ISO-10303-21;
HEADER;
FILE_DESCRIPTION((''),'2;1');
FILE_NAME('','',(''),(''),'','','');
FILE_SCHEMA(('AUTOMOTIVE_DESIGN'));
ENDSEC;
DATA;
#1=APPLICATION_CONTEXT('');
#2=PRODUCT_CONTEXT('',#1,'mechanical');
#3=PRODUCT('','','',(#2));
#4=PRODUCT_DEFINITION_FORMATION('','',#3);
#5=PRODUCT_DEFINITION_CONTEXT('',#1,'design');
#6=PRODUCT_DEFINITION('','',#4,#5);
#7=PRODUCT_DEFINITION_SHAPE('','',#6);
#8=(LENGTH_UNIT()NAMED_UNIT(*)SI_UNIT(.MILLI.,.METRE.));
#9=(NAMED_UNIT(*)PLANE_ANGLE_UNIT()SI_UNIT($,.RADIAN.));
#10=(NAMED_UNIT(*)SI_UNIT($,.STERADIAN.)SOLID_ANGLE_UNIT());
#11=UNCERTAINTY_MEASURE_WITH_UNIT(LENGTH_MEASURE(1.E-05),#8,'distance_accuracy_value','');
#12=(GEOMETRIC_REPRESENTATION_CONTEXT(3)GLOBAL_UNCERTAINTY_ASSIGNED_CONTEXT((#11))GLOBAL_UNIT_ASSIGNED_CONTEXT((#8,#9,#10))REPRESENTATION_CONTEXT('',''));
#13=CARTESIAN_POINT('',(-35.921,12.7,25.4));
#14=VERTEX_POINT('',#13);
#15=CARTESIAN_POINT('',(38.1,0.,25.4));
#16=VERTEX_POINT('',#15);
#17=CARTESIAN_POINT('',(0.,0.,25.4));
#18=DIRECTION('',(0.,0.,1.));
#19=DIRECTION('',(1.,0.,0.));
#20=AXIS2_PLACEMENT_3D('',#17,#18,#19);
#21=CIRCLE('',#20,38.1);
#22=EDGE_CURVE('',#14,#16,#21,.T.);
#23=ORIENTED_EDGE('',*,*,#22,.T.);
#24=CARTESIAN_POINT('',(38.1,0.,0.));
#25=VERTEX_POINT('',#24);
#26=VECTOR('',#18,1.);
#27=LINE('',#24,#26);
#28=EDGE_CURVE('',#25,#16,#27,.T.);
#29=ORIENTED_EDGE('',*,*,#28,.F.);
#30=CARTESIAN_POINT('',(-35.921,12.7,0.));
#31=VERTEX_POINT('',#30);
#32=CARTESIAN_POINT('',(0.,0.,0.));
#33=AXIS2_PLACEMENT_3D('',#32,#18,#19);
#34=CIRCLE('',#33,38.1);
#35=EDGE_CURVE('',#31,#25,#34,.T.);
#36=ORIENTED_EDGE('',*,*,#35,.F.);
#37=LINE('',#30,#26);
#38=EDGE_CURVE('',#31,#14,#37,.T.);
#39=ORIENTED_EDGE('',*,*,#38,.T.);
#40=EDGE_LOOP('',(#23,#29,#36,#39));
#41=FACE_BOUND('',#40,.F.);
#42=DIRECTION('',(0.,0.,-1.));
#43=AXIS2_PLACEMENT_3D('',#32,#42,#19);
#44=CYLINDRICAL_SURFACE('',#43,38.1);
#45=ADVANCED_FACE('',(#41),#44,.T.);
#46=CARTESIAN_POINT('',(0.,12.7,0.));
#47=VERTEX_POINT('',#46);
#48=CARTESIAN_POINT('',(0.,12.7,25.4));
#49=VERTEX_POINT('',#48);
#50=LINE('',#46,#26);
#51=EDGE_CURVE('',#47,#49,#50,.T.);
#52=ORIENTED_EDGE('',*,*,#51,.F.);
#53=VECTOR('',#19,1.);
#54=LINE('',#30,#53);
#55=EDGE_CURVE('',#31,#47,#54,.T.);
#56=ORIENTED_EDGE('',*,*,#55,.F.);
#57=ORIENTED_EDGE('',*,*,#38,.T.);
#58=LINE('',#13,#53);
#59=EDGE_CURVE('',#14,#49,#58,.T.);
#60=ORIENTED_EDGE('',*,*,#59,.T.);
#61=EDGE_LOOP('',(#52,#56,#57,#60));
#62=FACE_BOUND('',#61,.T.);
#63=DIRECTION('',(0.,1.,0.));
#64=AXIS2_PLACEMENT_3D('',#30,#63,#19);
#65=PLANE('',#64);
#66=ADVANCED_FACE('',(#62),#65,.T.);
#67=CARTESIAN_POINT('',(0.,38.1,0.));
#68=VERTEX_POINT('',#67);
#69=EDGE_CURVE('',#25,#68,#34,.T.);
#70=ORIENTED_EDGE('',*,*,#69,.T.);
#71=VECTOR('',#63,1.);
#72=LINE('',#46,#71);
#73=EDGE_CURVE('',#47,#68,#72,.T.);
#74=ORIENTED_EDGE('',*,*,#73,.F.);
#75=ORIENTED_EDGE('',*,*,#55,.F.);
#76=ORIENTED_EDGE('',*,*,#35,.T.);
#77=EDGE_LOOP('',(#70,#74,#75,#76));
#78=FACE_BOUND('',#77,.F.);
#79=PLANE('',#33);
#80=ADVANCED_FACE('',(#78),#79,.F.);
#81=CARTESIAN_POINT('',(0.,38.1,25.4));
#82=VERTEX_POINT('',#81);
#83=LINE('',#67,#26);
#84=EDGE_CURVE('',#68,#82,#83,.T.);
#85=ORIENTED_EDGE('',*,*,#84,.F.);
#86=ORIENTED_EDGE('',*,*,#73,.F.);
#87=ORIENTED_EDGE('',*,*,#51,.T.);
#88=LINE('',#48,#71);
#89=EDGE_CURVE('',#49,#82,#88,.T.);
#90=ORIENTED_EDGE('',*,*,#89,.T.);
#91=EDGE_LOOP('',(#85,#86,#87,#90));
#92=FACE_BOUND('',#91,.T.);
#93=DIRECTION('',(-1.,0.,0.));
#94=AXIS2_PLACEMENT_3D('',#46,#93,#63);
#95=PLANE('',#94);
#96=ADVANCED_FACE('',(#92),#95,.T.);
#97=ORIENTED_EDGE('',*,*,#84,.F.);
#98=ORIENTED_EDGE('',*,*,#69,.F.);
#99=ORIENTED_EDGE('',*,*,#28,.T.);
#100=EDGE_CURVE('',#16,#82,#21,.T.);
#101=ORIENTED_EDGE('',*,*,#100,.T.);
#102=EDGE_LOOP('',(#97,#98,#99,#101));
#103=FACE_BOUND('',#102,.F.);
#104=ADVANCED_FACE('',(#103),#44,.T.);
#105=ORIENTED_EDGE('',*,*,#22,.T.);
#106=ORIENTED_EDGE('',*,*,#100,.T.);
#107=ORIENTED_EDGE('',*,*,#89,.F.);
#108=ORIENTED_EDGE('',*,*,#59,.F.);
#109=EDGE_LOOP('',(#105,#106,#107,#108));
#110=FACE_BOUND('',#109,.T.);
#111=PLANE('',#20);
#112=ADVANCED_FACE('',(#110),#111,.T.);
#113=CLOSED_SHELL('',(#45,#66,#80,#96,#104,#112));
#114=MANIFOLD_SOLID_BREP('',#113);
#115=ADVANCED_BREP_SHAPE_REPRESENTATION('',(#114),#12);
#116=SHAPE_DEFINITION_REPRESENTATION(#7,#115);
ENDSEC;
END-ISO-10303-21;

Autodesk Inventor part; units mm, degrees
ref_plane "YZ Plane" through (0, 0, 0) normal (1, 0, 0) x (0, 1, 0)
ref_plane "XZ Plane" through (0, 0, 0) normal (0, 1, 0) x (-1, 0, 0)
ref_plane "XY Plane" through (0, 0, 0) normal (0, 0, 1) x (1, 0, 0)
sketch "Sketch1" plane through (0, 0, 0) normal (0, 0, 1) x (1, 0, 0)
  circle A0 centre (0, 0) radius 38.1
  line L0 (-35.921, 12.7) -> (0, 12.7)
  line L1 (0, 12.7) -> (0, 38.1)
  dimension "d0" = 76.2
  dimension "d1" = 25.4
extrude "Extrusion1" add sketch "Sketch1" along normal blind 25.4 contours A0 L0 L1 picked at (-1.5424, -20.9693)
properties part number "Curve Linear Dim"
